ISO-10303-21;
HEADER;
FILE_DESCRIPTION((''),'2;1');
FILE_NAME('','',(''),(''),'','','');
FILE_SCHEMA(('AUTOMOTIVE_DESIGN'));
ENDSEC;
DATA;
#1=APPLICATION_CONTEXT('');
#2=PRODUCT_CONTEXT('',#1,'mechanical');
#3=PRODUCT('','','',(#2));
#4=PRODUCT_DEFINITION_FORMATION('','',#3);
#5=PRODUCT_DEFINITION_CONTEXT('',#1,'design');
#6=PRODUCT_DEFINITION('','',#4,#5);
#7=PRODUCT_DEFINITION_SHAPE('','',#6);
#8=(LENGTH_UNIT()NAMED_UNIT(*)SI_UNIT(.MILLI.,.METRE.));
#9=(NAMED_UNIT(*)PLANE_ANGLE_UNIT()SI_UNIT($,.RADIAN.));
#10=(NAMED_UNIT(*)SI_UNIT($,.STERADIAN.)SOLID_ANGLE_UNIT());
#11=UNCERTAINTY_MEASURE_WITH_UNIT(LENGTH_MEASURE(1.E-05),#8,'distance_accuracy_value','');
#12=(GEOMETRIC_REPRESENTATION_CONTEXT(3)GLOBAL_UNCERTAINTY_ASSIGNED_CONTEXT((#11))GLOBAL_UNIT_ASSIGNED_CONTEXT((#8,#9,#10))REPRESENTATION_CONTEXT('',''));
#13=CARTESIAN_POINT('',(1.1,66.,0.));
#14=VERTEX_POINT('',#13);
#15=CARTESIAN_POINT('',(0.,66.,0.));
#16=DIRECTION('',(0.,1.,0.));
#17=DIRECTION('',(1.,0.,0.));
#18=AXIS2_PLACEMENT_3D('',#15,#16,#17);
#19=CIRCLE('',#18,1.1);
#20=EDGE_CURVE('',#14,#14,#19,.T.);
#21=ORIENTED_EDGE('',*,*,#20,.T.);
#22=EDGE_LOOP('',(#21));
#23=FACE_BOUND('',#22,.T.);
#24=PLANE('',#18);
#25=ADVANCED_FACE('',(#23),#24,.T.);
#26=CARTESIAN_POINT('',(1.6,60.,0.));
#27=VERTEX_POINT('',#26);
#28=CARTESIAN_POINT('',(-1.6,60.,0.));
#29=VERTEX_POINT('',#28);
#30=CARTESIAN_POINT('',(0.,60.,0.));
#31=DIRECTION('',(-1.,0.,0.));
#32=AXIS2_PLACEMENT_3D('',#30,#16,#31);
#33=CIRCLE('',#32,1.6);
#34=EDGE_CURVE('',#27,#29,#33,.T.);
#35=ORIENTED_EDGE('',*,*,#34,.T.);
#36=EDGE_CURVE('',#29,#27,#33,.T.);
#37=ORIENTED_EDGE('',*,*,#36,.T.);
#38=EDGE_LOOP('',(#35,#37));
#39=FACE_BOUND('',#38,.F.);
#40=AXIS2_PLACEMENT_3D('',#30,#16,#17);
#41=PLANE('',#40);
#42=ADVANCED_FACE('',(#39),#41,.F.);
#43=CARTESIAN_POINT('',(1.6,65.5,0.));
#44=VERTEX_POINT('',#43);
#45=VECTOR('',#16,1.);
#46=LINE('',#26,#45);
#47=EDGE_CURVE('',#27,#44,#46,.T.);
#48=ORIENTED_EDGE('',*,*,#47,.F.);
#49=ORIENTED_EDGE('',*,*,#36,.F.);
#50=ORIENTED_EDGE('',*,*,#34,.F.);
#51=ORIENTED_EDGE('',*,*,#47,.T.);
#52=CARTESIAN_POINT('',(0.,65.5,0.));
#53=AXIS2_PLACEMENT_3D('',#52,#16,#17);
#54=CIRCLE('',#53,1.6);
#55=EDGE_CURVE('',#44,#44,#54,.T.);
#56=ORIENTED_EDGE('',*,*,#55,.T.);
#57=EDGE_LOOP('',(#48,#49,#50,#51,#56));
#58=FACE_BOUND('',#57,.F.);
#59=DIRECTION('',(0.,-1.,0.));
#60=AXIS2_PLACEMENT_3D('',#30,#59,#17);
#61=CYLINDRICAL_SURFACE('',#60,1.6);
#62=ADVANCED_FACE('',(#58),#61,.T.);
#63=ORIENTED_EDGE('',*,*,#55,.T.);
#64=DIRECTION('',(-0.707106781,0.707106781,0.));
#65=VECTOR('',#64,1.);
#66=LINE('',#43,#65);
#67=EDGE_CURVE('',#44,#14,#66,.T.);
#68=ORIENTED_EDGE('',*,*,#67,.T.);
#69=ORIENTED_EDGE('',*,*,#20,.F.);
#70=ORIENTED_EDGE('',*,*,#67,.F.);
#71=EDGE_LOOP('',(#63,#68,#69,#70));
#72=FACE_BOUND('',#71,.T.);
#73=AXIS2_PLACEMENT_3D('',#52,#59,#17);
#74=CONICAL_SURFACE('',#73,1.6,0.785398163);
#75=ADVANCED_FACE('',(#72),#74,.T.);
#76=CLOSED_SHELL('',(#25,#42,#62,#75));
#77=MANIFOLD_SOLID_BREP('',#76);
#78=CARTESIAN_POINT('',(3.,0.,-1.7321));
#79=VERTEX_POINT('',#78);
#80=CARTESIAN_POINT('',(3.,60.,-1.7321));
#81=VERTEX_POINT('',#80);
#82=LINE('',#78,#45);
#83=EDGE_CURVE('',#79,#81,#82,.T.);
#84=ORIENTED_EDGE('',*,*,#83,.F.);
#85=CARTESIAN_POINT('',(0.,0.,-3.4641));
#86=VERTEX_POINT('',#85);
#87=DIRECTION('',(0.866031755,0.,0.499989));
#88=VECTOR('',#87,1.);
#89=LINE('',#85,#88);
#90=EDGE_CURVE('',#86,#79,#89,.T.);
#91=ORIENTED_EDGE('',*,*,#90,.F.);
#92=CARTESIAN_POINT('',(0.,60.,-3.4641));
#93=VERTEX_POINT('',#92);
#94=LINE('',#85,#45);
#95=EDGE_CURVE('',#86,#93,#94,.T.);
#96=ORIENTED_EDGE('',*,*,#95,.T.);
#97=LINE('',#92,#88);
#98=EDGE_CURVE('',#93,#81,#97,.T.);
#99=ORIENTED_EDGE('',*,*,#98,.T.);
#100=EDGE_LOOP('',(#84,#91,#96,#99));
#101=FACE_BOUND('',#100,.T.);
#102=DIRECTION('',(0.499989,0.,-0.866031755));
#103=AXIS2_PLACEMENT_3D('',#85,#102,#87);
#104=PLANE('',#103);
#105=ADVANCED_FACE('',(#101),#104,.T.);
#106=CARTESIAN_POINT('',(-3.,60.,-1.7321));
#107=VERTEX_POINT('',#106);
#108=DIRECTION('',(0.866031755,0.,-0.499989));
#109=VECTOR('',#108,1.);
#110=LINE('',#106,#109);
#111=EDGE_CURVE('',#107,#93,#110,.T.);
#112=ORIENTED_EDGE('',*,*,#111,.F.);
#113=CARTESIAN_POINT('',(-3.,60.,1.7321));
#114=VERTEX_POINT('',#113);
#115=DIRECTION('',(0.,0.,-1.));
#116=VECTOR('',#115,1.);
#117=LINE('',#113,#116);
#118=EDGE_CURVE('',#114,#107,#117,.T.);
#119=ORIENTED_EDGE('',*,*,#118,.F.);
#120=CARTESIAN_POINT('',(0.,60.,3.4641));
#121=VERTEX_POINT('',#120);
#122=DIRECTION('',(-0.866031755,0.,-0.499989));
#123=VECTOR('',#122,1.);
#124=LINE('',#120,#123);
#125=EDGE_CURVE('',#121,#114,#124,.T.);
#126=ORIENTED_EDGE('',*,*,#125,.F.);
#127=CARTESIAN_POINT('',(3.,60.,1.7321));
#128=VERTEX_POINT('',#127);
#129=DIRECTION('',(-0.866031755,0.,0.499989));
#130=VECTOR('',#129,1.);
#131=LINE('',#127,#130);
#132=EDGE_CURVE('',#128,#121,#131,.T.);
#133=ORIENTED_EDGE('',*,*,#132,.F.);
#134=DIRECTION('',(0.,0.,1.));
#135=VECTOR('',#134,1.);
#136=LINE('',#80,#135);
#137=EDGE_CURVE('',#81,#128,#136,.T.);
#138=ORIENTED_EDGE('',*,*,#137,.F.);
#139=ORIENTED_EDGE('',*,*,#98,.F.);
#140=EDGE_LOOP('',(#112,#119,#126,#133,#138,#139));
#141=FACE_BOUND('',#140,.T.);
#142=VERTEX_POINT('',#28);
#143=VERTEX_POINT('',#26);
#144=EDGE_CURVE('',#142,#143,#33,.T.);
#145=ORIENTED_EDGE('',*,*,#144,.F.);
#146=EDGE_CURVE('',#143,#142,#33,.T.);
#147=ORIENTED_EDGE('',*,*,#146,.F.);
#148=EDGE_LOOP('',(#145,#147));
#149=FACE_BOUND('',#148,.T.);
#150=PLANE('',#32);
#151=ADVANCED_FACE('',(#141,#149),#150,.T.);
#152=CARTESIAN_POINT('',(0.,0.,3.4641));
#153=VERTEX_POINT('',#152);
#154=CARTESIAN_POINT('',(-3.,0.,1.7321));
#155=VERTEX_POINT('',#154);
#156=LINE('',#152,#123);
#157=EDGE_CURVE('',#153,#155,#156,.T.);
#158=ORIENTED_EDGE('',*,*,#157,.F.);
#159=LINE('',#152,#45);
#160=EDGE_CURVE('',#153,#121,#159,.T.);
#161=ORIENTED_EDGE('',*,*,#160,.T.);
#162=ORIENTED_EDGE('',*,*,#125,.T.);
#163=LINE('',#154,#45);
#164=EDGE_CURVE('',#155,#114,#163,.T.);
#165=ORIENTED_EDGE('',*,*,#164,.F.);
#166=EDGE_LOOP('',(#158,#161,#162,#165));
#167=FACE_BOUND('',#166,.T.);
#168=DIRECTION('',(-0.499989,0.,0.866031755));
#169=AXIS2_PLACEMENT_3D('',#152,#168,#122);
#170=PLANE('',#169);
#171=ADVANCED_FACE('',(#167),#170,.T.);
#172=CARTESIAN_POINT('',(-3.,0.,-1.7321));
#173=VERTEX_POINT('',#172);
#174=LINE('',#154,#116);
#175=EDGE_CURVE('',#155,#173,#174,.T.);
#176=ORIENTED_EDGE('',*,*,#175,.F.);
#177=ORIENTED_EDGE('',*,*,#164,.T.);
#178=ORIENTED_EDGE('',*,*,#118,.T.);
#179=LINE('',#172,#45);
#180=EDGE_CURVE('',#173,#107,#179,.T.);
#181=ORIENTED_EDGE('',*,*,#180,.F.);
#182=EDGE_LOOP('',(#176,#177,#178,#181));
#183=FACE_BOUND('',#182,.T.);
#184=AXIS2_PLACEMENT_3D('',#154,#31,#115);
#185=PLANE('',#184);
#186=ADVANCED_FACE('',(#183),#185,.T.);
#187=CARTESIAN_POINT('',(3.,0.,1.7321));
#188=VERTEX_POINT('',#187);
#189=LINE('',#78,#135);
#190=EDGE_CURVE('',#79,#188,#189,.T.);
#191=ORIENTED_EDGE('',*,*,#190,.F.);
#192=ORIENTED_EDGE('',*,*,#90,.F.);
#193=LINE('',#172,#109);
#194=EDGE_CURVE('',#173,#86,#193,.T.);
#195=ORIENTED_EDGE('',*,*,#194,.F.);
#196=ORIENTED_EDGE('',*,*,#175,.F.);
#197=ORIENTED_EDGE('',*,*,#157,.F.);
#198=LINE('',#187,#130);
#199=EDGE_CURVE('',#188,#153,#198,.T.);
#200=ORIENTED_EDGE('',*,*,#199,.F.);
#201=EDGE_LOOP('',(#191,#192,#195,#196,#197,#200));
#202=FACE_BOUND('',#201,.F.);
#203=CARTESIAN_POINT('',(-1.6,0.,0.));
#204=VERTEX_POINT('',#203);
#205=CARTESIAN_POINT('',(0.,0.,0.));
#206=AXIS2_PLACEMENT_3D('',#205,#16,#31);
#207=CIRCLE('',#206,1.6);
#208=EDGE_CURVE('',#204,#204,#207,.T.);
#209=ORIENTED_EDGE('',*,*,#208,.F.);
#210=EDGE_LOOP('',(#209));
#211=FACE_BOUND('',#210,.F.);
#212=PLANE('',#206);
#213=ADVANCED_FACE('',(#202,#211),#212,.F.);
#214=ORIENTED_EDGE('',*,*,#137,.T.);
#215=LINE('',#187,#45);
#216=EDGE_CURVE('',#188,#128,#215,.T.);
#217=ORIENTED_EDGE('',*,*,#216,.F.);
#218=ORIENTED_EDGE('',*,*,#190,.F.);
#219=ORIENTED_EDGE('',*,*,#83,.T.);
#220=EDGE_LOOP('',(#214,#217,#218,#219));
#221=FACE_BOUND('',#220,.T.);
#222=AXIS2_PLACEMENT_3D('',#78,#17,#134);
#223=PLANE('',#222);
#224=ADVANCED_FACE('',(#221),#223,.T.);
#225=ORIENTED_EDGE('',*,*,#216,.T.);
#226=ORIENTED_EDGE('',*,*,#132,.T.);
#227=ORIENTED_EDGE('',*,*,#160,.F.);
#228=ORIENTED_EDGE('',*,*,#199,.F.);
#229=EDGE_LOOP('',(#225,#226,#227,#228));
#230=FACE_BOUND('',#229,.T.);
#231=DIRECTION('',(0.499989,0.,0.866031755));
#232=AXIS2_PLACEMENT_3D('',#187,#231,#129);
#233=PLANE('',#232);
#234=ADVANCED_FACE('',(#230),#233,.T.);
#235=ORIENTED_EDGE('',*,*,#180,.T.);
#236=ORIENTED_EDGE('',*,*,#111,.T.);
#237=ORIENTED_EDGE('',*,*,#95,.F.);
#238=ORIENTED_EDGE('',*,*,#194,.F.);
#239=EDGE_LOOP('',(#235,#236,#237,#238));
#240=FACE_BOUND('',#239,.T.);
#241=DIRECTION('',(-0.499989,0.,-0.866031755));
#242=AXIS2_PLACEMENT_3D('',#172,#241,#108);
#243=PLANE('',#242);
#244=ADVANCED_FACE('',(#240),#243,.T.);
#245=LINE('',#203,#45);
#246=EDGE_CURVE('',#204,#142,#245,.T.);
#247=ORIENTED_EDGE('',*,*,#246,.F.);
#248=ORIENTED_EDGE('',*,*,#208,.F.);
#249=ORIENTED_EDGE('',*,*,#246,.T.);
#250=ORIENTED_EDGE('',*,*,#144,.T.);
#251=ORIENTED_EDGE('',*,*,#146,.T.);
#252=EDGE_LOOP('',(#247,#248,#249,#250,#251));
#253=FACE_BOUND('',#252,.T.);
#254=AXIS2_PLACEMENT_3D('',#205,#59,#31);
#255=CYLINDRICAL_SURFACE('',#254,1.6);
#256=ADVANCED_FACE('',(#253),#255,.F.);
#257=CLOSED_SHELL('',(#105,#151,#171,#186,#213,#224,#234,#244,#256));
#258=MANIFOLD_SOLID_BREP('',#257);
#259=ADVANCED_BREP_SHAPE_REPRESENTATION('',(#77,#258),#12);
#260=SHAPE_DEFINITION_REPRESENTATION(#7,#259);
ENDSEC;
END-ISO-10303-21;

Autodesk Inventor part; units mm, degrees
ref_plane "YZ Plane" through (0, 0, 0) normal (1, 0, 0) x (0, 1, 0)
ref_plane "XZ Plane" through (0, 0, 0) normal (0, 1, 0) x (-1, 0, 0)
ref_plane "XY Plane" through (0, 0, 0) normal (0, 0, 1) x (1, 0, 0)
sketch "Sketch1" plane through (0, 0, 0) normal (0, 1, 0) x (-1, 0, 0)
  circle A0 centre (0, 0) radius 1.6
  line L0 (0, -3.4641) -> (-3, -1.7321)
  line L1 (-3, -1.7321) -> (-3, 1.7321)
  line L2 (-3, 1.7321) -> (0, 3.4641)
  line L3 (0, 3.4641) -> (3, 1.7321)
  line L4 (3, 1.7321) -> (3, -1.7321)
  line L5 (3, -1.7321) -> (0, -3.4641)
  dimension "d0" = 3.2
  dimension "d1" = 6
extrude "Extrusion1" add sketch "Sketch1" along normal blind 60
sketch "Sketch2" plane through (0, 60, 0) normal (0, 1, 0) x (1, 0, 0)
  circle A0 centre (0, 0) radius 1.6 projected
  line L0 (3, 1.7321) -> (0, 3.4641) projected
  line L1 (0, 3.4641) -> (-3, 1.7321) projected
  line L2 (-3, 1.7321) -> (-3, -1.7321) projected
  line L3 (-3, -1.7321) -> (0, -3.4641) projected
  line L4 (0, -3.4641) -> (3, -1.7321) projected
  line L5 (3, -1.7321) -> (3, 1.7321) projected
extrude "Extrusion2" add sketch "Sketch2" along normal blind 6 contours A0
chamfer "Chamfer1" distance 0.5 angle 45 1 edges at (-1.6, 66, 0)
thread "Thread1" size "M3.5x0.6" class "6g" standard "ANSI Metric M Profile" full length
properties part number "Standoff 40" material "Brass"
